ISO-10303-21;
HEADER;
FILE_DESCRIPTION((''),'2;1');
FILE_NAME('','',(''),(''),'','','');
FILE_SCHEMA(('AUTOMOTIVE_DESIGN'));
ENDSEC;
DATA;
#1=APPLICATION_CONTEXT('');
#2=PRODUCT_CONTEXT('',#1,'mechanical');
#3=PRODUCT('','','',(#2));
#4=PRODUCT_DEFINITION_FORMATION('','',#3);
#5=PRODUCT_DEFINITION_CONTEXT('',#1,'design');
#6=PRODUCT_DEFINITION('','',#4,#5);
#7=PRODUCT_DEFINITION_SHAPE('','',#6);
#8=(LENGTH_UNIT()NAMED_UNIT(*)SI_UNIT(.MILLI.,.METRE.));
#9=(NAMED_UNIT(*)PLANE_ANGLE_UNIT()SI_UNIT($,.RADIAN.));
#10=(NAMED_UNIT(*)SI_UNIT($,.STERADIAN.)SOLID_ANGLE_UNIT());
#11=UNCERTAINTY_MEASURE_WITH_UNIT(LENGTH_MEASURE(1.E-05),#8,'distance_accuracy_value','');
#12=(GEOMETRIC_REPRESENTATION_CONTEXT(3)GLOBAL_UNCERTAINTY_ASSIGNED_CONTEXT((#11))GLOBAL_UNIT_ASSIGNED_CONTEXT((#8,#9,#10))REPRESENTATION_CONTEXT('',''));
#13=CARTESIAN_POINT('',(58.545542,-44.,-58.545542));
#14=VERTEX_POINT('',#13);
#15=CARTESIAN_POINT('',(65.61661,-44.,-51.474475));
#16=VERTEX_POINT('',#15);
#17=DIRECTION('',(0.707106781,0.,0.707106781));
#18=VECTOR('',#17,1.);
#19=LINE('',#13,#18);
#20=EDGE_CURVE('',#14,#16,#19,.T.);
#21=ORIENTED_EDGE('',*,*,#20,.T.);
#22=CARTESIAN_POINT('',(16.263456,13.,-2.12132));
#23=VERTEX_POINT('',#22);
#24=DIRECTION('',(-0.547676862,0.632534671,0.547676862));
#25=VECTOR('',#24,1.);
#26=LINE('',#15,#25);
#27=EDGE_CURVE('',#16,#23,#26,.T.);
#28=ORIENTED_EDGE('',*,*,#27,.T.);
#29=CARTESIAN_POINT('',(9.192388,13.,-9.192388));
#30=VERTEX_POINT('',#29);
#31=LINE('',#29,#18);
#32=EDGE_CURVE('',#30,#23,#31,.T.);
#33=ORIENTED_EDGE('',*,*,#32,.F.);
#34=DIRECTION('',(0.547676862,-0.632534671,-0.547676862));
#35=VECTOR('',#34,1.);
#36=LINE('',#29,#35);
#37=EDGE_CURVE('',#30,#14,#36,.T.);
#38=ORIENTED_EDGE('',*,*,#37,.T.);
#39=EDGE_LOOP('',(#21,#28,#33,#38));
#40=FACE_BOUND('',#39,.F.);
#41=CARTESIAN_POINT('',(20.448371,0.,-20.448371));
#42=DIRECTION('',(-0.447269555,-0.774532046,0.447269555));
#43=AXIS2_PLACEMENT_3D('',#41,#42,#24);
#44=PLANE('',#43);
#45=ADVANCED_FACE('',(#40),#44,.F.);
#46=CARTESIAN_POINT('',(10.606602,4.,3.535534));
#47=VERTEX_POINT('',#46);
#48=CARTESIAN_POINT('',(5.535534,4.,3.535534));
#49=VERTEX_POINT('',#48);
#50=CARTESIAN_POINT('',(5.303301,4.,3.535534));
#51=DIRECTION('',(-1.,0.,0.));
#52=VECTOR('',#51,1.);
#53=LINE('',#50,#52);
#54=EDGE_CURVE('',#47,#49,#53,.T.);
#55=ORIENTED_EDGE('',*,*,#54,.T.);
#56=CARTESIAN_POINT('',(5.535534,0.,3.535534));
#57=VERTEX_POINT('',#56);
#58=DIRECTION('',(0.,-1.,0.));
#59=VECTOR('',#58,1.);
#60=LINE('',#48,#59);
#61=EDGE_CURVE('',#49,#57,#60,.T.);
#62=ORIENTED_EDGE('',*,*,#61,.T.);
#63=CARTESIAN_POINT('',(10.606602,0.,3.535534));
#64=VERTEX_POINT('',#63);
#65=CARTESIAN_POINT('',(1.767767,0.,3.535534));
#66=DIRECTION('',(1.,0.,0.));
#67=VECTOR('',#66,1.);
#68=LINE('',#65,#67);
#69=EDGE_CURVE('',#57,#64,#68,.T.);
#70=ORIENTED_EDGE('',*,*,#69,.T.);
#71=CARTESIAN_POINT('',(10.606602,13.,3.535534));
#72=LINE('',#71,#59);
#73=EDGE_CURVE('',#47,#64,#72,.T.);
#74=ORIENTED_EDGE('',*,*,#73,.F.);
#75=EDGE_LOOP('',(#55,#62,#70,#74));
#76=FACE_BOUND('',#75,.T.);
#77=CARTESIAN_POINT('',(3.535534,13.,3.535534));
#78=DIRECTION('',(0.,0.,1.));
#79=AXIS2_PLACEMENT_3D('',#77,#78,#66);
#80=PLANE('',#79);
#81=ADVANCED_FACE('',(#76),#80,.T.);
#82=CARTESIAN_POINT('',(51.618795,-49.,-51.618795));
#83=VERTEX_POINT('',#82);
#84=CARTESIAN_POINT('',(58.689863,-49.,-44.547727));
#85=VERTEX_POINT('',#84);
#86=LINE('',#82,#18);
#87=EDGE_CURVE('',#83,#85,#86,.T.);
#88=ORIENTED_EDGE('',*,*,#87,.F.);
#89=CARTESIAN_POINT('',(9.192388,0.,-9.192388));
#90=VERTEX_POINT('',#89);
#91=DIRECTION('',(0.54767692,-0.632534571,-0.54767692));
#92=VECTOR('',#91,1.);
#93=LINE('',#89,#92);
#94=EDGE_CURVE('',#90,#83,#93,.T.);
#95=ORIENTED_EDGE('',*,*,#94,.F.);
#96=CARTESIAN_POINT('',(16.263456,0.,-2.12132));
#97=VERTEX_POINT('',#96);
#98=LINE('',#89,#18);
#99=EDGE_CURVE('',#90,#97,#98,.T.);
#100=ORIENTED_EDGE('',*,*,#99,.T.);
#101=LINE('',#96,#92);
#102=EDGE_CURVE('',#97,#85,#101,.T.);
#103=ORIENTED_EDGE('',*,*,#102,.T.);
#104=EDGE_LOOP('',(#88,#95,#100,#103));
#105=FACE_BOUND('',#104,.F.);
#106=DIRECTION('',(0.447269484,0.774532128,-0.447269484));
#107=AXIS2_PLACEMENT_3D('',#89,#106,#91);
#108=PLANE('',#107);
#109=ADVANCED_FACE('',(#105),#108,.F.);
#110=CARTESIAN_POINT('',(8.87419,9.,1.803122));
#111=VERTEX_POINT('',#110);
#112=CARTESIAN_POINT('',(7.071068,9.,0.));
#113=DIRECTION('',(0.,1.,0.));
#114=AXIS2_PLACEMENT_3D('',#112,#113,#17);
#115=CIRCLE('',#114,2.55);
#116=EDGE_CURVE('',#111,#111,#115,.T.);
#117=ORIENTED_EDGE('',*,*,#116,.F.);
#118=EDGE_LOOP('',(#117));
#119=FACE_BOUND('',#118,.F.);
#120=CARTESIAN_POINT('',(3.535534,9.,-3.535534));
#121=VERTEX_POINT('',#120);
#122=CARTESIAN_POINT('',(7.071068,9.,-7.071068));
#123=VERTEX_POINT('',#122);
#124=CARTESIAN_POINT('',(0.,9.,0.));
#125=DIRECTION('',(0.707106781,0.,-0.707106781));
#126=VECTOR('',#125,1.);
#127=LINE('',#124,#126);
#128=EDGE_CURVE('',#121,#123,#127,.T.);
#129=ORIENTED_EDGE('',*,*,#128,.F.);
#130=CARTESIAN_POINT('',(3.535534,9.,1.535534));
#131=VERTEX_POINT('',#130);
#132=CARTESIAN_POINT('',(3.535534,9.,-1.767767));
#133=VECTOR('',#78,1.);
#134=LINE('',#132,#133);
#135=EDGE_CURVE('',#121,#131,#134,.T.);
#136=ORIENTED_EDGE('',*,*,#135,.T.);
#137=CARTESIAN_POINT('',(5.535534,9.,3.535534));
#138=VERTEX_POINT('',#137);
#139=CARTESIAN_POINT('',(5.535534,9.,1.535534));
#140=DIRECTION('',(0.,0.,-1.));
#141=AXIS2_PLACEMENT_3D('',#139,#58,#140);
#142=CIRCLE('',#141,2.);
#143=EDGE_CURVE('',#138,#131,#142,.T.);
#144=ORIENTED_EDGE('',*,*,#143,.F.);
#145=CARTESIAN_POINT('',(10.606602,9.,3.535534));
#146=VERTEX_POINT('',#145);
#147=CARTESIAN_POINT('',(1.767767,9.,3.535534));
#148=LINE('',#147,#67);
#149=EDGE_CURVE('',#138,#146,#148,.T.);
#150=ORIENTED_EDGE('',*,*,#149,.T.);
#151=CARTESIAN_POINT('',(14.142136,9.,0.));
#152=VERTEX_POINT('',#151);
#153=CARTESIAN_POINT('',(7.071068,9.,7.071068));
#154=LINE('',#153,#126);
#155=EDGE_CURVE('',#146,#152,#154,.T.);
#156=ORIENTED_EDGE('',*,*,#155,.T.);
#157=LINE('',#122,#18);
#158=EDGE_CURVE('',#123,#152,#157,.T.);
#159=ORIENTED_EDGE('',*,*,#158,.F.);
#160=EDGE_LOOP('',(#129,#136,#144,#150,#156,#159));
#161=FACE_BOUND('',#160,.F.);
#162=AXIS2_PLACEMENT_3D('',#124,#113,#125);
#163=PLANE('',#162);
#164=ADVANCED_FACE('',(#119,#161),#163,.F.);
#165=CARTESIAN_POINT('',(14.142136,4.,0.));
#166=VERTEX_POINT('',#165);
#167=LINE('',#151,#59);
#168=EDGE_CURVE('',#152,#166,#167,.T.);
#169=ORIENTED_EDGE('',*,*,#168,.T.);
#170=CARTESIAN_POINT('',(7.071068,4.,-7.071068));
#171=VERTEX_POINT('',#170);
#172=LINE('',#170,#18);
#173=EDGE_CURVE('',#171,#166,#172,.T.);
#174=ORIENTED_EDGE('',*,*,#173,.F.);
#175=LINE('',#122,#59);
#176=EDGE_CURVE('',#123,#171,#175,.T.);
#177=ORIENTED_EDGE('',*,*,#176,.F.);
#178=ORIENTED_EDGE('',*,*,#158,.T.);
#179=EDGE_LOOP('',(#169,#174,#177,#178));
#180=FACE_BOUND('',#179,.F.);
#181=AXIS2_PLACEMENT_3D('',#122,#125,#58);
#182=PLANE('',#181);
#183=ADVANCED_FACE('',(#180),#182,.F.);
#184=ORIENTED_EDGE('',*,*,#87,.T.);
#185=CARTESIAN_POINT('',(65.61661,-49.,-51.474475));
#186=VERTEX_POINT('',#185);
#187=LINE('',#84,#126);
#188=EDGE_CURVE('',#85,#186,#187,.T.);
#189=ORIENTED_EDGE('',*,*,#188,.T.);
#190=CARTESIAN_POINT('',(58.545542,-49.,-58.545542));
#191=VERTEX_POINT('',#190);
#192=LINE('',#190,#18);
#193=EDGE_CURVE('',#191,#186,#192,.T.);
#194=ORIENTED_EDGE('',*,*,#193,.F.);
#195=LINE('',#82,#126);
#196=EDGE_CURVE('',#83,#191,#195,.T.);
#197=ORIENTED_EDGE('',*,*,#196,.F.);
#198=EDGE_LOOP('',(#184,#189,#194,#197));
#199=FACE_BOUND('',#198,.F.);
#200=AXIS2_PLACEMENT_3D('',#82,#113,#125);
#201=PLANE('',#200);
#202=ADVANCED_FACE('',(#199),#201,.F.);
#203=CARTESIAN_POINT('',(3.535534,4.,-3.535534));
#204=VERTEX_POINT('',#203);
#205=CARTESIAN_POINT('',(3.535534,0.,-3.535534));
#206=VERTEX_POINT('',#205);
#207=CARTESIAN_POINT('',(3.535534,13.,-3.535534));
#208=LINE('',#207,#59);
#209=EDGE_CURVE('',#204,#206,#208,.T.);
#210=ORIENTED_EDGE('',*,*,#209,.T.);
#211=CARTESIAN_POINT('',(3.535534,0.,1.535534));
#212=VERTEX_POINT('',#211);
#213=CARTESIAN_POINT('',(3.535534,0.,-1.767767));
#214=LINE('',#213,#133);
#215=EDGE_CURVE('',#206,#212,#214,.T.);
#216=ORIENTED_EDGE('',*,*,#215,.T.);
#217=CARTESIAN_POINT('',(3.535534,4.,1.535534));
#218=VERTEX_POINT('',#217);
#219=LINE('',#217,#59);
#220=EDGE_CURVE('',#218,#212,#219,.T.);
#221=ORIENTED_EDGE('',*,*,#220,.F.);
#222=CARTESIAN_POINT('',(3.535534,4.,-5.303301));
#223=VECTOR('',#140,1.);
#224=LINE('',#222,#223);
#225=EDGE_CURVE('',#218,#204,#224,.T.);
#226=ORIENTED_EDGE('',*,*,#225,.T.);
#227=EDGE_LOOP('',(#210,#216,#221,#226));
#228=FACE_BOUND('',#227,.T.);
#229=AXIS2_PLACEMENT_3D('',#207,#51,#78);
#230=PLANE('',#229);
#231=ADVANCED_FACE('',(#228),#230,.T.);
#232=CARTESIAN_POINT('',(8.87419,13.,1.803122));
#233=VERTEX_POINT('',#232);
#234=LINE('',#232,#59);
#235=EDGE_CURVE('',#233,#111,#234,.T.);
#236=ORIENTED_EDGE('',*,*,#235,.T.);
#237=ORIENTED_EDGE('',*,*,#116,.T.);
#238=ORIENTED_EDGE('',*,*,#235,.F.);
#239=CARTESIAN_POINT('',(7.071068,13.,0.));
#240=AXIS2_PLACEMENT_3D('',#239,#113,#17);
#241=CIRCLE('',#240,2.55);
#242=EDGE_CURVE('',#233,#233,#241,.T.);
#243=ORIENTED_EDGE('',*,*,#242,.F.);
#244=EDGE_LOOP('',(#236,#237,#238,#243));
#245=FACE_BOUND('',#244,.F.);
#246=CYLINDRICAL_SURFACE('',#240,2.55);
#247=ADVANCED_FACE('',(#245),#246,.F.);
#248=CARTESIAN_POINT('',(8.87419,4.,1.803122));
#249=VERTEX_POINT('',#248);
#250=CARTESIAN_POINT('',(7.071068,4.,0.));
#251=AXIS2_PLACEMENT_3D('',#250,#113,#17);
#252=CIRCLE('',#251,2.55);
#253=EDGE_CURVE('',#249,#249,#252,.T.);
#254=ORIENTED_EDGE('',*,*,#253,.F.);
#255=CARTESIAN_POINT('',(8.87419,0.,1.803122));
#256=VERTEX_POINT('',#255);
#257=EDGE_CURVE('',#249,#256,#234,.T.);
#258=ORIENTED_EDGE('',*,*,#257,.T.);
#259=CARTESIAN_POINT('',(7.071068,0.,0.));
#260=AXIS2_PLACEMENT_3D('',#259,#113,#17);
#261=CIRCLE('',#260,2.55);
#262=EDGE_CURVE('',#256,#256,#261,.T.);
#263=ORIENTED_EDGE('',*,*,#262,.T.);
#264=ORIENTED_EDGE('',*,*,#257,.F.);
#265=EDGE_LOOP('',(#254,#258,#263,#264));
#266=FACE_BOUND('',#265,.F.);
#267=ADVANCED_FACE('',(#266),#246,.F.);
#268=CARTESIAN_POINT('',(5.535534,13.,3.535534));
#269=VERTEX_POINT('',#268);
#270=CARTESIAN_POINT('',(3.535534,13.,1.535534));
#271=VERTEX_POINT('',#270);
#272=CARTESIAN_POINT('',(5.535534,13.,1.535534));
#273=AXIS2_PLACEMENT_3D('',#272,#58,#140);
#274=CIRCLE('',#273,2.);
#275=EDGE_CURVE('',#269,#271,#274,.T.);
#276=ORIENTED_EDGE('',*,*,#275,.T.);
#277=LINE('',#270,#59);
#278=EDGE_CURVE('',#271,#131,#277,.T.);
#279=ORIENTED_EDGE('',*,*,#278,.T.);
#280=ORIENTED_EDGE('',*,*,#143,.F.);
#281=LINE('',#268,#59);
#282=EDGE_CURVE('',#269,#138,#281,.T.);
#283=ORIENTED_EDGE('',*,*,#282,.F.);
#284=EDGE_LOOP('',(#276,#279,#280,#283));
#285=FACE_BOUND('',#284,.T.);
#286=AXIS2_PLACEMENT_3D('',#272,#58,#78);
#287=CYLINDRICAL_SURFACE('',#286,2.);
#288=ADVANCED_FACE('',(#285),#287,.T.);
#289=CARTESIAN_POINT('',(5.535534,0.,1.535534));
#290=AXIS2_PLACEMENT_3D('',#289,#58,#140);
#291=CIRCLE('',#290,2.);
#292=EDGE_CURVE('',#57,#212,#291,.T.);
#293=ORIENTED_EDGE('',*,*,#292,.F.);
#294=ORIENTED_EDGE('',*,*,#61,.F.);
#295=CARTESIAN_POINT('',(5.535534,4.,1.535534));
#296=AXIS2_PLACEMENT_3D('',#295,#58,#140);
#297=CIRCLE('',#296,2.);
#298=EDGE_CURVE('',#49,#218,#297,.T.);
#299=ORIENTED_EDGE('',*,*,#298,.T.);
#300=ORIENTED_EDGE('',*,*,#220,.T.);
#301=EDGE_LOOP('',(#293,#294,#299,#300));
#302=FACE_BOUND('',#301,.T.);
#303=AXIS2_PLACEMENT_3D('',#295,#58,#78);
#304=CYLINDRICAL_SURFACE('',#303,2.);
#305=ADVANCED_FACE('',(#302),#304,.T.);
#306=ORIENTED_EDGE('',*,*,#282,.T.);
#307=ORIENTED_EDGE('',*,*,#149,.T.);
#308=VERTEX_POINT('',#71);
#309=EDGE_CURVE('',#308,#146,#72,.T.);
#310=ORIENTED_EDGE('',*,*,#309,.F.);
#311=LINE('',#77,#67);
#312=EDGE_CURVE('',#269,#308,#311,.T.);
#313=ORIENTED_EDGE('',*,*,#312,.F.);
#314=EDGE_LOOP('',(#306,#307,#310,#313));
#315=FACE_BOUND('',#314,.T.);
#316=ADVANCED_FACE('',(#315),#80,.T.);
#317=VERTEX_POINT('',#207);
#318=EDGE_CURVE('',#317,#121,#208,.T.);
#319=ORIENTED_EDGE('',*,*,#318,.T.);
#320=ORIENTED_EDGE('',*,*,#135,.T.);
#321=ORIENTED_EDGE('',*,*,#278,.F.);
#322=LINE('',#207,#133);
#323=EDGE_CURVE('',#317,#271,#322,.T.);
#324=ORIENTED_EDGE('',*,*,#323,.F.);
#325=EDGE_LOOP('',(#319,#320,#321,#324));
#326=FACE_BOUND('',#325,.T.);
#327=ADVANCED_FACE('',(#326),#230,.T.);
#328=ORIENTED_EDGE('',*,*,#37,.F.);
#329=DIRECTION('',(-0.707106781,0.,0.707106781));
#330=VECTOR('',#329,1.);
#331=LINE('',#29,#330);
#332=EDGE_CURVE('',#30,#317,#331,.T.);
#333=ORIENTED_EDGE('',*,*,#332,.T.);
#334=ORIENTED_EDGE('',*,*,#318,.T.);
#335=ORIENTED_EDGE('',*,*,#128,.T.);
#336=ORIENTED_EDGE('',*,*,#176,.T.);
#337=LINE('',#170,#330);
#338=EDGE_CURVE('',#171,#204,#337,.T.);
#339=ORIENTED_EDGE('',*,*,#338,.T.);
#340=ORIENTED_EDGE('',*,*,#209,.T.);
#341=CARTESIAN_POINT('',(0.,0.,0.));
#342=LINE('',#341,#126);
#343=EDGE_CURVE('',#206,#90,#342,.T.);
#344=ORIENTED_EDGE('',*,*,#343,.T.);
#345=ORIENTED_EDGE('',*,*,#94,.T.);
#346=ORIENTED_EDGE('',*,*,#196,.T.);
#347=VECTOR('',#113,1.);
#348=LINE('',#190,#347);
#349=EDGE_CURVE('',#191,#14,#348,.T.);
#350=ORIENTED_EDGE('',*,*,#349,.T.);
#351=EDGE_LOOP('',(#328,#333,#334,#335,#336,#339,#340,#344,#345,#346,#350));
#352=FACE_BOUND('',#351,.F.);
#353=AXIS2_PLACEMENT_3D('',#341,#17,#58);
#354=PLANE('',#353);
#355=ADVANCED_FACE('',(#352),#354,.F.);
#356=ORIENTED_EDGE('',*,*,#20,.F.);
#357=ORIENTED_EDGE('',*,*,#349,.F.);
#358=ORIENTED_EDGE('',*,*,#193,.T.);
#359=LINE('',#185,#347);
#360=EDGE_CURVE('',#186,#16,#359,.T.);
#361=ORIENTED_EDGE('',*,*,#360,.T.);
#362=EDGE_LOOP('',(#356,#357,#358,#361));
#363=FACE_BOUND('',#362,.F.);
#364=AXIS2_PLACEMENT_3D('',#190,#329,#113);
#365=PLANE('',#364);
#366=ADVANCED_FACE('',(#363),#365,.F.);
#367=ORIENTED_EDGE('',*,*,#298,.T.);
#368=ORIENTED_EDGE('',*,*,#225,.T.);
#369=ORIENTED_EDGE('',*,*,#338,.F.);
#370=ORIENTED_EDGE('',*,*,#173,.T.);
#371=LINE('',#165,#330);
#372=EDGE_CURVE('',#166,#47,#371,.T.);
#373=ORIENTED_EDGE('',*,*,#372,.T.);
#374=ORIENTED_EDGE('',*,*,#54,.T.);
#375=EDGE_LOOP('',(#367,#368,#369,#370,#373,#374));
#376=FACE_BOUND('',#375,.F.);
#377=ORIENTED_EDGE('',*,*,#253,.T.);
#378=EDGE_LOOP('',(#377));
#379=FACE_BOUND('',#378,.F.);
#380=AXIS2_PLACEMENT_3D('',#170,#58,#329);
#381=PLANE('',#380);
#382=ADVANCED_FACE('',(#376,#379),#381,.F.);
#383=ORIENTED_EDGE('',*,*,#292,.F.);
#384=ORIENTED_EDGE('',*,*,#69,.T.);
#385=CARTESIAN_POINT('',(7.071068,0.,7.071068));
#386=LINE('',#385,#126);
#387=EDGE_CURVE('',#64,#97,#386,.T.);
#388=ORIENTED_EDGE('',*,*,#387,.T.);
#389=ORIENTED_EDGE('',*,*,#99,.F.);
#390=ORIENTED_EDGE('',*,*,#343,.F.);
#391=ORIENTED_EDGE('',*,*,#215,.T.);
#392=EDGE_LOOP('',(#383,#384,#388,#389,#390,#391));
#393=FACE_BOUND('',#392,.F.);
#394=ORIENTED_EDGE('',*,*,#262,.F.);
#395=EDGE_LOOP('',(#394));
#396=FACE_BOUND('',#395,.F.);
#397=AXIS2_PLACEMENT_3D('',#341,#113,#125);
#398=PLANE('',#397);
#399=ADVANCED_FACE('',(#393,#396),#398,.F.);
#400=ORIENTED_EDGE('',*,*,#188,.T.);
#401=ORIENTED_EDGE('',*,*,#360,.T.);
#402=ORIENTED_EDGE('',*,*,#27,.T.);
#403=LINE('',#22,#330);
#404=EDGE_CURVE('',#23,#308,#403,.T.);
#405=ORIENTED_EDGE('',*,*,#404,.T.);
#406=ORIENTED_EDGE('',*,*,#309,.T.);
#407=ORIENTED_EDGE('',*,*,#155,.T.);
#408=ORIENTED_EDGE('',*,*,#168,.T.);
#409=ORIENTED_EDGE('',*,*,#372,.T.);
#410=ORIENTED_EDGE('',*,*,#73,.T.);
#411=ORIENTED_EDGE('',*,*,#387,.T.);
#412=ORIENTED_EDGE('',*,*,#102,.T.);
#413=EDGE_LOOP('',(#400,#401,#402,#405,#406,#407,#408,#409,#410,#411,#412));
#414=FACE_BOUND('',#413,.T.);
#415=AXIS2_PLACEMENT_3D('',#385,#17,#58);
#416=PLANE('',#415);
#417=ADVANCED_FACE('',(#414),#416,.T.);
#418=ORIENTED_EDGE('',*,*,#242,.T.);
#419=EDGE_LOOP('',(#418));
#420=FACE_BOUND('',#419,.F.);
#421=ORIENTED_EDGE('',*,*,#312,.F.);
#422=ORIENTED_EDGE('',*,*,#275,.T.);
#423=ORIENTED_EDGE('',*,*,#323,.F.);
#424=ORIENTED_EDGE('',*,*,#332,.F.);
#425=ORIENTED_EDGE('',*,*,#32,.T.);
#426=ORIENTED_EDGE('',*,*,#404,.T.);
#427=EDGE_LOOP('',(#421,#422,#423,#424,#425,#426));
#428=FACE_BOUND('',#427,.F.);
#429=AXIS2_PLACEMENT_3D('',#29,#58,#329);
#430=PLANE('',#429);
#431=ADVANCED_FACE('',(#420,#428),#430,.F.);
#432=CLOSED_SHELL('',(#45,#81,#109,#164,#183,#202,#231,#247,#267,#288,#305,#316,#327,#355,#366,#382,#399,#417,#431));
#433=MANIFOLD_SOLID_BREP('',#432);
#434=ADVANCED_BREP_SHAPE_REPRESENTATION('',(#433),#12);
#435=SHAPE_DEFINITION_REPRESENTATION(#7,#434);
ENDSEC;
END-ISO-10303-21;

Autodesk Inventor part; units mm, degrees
ref_plane "XZ Plane" through (0, 0, 0) normal (0, 1, 0) x (-1, 0, 0)
ref_plane "Work Plane1" through (0, 0, 0) normal (0.7071, 0, 0.7071) x (0, -1, 0)
sketch "Sketch1" plane through (0, 0, 0) normal (0.7071, 0, 0.7071) x (0, -1, 0)
  line L0 (-9, 0) -> (-9, 10)
  line L1 (-9, 10) -> (-4, 10)
  line L2 (-4, 10) -> (-4, 0)
  line L3 (-4, 0) -> (0, 0)
  line L4 (0, 0) -> (0, 13)
  line L5 (0, 13) -> (49, 73)
  line L6 (49, 73) -> (49, 82.7959)
  line L7 (49, 82.7959) -> (44, 82.7959)
  line L8 (44, 82.7959) -> (-13, 13)
  line L9 (-13, 13) -> (-13, 0)
  line L10 (-13, 0) -> (-9, 0)
  line L11 (0, -16.5592) -> (0, 99.3551) projected
  line L12 (0, 0) -> (-5.3698, 0) construction
  dimension "d0" = 4
  dimension "d1" = 4
  dimension "d2" = 5
  dimension "d3" = 10
  dimension "d4" = 3
  dimension "d5" = 60
  dimension "d6" = 5
  dimension "d8" = 53
extrude "Extrusion1" add sketch "Sketch1" along normal blind 10
sketch "Sketch2" plane through (0, 13, 0) normal (0, 1, 0) x (0.7071, 0, 0.7071)
  circle A0 centre (5, 5) radius 2.55
  line L0 (0, 0) -> (0, 10) projected
  line L1 (0, 5) -> (5, 0)
  line L2 (0, 0) -> (10, 0) projected
  line L3 (5, 0) -> (10, 5)
  line L4 (10, 13) -> (10, 0) projected
  line L5 (2.5, 2.5) -> (5, 5) construction
  line L6 (5, 5) -> (7.5, 2.5) construction
  dimension "d11" = 5.1
  dimension "d12" = 45
  dimension "d13" = 45
extrude "Extrusion2" cut sketch "Sketch2" against normal through all
fillet "Fillet1" radius 2 2 edges at (3.5355, 2, 3.5355) (3.5355, 11, 3.5355)
properties part number "Foot thing"
